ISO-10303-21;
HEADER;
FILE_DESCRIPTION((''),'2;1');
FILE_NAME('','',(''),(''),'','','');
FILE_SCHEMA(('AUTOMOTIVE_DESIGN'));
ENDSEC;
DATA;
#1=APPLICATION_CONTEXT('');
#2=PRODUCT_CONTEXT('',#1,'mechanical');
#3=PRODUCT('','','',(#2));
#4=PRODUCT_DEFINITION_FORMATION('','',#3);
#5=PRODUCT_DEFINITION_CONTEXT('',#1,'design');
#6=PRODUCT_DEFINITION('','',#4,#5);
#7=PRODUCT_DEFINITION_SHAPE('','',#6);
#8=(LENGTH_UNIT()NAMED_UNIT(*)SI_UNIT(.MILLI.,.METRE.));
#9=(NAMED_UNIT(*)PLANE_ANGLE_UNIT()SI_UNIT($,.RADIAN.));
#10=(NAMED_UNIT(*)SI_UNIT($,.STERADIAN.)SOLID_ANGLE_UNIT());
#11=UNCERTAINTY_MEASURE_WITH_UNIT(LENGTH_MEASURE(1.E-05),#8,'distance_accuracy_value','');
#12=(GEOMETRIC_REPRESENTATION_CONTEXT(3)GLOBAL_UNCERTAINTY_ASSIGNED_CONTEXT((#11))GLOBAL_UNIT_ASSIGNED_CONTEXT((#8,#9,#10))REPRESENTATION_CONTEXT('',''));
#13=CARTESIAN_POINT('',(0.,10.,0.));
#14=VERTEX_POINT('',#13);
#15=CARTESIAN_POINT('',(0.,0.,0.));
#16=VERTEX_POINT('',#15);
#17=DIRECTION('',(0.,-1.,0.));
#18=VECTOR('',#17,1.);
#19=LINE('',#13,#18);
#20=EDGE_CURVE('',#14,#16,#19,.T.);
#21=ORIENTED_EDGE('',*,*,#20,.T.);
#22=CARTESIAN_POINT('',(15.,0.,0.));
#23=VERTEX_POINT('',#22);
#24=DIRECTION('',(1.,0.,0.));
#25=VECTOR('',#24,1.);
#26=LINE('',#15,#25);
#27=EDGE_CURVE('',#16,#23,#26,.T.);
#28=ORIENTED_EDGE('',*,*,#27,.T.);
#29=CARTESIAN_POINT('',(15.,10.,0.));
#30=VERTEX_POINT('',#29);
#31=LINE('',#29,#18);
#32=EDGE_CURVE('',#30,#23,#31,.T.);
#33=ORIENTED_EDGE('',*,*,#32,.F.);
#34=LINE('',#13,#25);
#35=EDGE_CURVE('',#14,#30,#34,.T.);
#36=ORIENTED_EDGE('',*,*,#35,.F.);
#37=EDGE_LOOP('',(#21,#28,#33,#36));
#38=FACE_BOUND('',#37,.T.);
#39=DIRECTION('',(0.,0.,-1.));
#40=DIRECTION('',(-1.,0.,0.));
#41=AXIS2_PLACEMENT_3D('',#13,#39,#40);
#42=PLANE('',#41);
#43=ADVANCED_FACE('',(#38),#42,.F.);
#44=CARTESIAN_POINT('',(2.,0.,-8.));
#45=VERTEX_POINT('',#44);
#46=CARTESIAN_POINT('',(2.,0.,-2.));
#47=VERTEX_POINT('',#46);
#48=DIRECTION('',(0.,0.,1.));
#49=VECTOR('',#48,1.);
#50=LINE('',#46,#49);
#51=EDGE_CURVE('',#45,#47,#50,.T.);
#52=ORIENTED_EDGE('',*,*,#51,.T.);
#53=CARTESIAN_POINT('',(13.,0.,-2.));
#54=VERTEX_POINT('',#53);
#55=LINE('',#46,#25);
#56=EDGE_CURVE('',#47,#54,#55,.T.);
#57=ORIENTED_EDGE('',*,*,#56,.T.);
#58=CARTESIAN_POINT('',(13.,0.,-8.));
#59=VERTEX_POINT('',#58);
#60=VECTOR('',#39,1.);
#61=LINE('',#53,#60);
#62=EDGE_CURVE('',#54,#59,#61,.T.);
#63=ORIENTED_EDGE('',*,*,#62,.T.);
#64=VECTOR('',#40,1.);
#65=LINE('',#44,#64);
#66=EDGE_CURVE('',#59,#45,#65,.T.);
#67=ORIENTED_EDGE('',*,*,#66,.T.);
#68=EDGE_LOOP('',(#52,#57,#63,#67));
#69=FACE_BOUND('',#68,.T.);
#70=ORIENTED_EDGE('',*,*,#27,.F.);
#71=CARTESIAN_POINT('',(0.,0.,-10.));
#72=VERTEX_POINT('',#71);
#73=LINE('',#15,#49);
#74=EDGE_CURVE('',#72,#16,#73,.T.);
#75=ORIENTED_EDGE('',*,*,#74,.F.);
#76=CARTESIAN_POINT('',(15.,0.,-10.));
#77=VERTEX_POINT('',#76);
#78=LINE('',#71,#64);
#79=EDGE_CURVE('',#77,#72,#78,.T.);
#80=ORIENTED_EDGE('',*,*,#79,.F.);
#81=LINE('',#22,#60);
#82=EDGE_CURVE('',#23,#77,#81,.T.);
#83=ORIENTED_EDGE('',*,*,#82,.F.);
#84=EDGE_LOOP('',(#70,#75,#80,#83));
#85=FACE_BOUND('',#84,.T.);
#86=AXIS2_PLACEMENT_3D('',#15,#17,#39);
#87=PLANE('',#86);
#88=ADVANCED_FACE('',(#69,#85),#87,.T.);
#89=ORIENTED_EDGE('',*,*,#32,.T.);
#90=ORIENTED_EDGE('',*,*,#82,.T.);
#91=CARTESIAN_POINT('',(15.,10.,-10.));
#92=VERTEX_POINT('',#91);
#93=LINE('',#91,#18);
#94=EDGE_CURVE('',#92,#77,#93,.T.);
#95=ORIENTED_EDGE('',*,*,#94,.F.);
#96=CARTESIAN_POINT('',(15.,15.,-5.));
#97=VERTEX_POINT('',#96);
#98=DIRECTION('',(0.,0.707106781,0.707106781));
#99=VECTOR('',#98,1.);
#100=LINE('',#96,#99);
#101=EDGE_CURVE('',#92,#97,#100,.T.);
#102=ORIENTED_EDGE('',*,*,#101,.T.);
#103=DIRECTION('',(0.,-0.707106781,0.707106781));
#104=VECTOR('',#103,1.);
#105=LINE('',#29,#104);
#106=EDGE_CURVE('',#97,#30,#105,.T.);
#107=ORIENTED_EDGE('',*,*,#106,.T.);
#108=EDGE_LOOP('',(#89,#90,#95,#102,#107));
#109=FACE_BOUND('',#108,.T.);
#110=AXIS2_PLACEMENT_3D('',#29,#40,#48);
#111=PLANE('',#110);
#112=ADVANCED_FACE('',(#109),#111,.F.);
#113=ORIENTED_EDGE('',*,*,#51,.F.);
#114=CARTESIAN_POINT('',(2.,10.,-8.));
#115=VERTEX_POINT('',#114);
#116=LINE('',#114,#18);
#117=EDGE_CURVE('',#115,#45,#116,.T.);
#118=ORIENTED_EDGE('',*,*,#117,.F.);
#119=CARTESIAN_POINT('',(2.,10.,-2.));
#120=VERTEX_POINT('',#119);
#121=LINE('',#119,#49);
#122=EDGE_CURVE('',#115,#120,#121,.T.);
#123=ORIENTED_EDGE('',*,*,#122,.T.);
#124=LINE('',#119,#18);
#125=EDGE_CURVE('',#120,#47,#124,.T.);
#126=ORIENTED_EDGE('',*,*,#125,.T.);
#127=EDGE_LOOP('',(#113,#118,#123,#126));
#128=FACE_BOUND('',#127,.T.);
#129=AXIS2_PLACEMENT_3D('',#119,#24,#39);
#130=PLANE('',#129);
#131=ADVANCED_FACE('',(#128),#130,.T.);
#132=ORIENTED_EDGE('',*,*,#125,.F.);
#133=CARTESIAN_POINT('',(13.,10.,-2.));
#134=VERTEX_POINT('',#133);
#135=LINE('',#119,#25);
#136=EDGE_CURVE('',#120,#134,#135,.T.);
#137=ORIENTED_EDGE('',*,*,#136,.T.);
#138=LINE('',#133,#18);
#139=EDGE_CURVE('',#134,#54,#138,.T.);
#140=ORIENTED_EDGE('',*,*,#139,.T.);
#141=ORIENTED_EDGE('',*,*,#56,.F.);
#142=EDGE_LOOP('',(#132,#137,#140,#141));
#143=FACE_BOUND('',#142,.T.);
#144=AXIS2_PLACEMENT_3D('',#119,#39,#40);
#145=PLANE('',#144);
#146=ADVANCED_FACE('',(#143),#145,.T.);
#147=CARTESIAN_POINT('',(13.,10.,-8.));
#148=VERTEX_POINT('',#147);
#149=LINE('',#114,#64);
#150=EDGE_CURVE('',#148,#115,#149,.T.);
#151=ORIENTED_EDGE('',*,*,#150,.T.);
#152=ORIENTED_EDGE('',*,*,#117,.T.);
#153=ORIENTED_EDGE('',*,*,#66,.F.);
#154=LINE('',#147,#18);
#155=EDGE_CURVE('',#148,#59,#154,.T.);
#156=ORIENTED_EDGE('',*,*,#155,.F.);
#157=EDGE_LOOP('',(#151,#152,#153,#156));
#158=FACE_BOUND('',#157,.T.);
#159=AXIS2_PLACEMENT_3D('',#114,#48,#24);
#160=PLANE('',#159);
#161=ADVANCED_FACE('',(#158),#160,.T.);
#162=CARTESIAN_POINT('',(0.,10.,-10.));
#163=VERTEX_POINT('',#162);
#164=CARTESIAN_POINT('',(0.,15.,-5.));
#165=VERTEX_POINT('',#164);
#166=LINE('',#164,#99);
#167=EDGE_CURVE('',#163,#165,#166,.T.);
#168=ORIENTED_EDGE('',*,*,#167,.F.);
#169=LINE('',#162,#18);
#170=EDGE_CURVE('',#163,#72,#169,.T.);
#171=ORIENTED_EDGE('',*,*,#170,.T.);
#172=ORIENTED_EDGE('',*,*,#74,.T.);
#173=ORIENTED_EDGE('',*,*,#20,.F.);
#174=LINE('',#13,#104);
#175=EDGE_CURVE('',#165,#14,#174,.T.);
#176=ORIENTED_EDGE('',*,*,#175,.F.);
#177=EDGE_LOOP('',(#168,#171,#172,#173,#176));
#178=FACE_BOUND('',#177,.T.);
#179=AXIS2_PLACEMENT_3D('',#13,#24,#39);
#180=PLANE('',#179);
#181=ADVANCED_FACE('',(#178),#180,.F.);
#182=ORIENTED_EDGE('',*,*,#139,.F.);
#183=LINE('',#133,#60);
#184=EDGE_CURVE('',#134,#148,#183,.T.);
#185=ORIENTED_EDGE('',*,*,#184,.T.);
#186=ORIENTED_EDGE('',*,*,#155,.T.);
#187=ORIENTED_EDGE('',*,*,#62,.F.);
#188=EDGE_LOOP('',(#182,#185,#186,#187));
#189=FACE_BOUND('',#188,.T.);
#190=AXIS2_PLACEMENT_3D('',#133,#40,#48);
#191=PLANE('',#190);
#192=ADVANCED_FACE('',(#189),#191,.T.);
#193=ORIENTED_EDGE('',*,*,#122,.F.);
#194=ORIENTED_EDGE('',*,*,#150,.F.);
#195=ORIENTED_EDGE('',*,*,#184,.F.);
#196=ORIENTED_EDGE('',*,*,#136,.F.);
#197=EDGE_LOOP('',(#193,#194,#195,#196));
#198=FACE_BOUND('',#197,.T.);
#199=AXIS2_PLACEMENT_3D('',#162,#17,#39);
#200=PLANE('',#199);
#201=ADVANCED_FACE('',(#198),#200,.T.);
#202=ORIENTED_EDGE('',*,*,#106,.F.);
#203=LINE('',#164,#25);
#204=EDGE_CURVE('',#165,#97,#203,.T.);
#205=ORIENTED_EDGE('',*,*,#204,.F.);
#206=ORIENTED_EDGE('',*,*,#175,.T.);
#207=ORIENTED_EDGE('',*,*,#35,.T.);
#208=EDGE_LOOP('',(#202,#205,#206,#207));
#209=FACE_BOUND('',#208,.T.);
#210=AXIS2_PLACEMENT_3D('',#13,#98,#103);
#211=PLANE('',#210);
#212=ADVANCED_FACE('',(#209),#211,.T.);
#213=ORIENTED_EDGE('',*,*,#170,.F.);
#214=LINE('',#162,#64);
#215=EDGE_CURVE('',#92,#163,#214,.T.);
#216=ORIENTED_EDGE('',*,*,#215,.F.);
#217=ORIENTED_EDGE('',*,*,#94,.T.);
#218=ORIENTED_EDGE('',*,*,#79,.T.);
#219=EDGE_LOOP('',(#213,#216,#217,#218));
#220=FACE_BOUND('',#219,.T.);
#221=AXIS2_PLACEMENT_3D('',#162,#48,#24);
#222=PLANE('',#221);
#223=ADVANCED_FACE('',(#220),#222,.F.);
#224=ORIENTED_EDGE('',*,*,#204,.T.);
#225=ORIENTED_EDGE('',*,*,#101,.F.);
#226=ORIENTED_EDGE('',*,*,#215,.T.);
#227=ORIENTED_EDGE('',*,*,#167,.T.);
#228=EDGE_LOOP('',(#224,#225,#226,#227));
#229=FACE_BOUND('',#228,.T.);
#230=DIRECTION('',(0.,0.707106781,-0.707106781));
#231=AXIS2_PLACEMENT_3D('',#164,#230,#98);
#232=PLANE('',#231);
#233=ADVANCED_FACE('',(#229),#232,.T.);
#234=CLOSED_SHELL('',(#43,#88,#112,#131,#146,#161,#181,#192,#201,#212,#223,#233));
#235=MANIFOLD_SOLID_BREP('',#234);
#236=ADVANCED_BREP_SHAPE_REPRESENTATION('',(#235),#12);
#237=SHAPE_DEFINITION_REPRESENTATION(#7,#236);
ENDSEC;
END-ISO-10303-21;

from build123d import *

# Parameters (mm, degrees)
SKETCH1_W           = 15
SKETCH1_H           = 10
SKETCH1_W_2         = 11
SKETCH1_H_2         = 6
BOSS_EXTRUDE1_DEPTH = 10
BOSS_EXTRUDE2_DEPTH = 15


with BuildPart() as part:
    # Sketch1 → Boss-Extrude1 (new body)
    with BuildSketch(Plane(origin=(0, 0, 0), x_dir=(1, 0, 0), z_dir=(0, 1, 0))):
        with Locations((7.5, 5)):
            Rectangle(SKETCH1_W, SKETCH1_H)
        with Locations((7.5, 5)):
            Rectangle(SKETCH1_W_2, SKETCH1_H_2, mode=Mode.SUBTRACT)
    extrude(amount=BOSS_EXTRUDE1_DEPTH)

    # Sketch2 → Boss-Extrude2 (add)
    with BuildSketch(Plane(origin=(15, 0, 0), x_dir=(0, 0, -1), z_dir=(1, 0, 0))):
        Polygon((0, 10), (5, 15), (10, 10), align=None)
    extrude(amount=-BOSS_EXTRUDE2_DEPTH)


solid = part.part
